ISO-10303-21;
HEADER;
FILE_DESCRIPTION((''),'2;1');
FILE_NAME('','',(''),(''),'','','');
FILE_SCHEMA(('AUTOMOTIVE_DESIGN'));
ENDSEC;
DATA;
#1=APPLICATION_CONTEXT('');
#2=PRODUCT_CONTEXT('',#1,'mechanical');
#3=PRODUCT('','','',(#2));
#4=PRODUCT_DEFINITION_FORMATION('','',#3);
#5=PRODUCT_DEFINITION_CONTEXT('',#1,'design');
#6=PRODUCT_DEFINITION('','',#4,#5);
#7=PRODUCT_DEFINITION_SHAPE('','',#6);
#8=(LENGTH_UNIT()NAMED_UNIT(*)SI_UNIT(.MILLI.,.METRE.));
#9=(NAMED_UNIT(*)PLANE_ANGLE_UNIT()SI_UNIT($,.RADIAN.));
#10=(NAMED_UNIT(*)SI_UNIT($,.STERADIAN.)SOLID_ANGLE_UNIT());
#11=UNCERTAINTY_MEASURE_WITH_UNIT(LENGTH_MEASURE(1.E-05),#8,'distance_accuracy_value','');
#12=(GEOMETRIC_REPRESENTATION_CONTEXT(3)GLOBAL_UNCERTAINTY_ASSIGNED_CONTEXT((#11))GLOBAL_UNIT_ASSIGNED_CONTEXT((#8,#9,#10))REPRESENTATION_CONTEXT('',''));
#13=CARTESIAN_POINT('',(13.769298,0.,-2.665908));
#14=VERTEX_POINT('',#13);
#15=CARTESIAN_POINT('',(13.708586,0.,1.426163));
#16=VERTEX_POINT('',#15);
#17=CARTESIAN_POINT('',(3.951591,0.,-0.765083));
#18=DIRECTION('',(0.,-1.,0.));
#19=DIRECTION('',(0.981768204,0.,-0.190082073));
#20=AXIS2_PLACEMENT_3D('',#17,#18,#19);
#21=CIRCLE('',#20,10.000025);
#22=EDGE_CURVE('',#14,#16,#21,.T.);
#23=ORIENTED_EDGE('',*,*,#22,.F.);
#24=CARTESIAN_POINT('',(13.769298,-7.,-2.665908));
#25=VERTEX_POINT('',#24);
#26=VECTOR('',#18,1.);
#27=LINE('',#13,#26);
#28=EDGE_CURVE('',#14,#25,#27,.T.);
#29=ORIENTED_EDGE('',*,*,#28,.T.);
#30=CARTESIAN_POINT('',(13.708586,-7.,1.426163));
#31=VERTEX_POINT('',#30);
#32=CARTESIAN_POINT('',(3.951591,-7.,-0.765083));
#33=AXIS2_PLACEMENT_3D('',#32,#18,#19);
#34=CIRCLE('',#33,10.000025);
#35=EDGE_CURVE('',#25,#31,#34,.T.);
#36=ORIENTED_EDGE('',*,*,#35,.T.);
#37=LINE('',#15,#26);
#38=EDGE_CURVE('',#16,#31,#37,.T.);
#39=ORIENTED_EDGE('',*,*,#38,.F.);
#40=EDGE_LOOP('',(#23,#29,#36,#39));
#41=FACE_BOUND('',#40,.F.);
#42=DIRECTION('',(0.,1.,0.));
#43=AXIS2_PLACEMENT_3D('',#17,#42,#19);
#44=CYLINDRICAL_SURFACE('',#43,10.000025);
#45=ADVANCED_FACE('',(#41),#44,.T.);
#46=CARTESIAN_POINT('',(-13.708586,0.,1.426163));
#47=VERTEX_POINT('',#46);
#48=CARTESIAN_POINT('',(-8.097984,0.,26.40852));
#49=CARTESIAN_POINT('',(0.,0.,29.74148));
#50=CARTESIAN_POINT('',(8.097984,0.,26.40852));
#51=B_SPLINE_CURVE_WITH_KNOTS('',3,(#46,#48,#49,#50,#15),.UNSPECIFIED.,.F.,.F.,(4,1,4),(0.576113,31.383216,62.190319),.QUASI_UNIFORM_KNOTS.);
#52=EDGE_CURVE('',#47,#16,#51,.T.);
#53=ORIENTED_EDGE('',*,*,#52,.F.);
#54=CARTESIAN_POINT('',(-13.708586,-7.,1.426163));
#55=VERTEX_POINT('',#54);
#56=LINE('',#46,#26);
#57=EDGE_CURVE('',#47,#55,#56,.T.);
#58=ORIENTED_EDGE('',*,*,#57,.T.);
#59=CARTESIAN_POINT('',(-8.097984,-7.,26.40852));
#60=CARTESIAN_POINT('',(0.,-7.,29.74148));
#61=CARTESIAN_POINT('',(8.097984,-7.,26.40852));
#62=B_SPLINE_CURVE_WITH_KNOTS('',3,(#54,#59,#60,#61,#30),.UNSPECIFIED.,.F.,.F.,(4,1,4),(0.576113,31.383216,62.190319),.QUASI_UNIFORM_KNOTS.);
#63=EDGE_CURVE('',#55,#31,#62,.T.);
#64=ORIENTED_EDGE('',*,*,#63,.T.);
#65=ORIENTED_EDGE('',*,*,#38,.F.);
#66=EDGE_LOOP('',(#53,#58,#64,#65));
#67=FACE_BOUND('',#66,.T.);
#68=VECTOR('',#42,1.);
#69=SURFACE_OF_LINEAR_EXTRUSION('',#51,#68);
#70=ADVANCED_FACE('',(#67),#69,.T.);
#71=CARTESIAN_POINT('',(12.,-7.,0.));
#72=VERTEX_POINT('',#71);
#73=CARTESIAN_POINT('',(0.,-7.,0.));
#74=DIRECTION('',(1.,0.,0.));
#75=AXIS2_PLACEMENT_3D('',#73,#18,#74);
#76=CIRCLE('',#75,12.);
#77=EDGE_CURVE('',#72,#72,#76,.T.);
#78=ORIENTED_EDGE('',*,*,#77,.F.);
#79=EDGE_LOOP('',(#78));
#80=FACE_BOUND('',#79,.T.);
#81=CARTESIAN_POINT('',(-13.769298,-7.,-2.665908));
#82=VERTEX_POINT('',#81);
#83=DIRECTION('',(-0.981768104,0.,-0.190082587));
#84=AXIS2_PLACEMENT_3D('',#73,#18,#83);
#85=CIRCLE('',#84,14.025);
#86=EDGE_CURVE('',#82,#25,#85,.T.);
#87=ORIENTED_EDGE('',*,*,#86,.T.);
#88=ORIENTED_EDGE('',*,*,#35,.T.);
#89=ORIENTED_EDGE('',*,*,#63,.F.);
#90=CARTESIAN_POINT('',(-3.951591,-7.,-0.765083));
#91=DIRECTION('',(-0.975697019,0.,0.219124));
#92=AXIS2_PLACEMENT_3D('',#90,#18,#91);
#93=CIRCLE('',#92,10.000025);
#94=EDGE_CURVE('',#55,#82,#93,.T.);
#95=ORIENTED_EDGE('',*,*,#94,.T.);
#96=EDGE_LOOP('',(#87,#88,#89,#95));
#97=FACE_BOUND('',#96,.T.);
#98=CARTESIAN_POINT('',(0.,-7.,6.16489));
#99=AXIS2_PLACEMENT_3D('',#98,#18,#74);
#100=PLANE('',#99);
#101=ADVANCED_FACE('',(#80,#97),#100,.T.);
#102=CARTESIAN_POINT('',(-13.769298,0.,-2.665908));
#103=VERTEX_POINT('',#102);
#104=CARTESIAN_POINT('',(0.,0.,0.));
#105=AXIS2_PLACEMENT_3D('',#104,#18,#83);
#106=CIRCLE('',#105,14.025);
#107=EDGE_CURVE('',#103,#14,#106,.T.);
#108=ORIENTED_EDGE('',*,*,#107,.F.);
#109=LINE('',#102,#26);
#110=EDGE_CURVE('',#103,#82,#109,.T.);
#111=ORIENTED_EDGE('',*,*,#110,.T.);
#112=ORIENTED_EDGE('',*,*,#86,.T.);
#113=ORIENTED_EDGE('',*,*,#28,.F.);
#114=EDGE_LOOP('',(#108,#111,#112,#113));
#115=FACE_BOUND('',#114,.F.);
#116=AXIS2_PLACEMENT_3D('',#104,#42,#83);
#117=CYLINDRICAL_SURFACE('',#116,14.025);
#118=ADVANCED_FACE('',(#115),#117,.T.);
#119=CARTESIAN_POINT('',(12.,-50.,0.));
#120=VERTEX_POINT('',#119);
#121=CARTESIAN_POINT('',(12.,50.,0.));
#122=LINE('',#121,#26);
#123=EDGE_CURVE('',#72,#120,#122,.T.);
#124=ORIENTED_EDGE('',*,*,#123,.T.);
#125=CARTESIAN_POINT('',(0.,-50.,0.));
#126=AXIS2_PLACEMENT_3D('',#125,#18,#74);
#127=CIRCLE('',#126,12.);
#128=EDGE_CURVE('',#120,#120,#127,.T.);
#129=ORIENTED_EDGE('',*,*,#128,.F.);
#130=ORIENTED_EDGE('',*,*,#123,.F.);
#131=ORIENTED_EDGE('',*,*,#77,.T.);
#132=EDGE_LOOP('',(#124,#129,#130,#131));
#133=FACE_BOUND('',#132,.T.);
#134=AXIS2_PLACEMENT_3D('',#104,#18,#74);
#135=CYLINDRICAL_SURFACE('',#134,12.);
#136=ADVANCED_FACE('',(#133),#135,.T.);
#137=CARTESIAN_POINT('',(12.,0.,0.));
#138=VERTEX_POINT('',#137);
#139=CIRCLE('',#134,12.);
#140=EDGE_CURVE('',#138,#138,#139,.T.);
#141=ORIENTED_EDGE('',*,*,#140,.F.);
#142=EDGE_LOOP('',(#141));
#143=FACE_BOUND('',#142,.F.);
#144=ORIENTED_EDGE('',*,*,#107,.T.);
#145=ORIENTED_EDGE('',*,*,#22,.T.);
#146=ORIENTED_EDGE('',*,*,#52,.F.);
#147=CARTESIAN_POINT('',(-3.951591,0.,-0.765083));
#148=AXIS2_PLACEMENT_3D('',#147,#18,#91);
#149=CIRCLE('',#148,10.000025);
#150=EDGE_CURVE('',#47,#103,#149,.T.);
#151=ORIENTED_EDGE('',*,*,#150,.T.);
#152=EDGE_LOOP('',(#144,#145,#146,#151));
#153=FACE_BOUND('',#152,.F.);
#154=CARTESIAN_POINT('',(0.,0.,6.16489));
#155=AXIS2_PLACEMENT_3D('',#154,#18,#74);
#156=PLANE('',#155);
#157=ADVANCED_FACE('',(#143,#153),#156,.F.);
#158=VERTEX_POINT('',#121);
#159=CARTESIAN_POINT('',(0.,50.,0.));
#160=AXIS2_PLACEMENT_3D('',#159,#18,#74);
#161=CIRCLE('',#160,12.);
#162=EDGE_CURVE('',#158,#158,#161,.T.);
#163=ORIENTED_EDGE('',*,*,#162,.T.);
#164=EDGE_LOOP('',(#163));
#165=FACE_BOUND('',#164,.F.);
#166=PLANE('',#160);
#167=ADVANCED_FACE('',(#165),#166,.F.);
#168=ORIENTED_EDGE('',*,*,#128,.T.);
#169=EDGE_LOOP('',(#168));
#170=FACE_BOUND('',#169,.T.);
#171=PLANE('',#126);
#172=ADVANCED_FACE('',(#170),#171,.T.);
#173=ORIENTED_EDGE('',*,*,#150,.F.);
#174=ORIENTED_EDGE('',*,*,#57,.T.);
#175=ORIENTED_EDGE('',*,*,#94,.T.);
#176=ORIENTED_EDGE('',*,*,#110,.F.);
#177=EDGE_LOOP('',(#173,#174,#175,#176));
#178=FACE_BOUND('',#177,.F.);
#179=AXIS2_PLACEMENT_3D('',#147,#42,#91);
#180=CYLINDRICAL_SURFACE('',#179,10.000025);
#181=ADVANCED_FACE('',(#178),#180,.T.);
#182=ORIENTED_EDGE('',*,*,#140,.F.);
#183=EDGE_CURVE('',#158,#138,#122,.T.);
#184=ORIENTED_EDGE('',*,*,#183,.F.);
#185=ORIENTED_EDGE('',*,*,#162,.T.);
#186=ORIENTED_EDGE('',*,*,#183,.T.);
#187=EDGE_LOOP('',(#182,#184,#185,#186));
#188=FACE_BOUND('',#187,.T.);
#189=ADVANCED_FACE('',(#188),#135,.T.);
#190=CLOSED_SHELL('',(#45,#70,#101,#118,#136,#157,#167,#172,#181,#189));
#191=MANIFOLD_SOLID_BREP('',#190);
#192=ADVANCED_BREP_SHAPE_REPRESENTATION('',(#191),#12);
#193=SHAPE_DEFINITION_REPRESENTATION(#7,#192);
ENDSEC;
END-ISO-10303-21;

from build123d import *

# Parameters (mm, degrees)
F0_R          = 12
F1_DEPTH      = 50
F1_DEPTH_BACK = 50
F2_DEPTH      = 7


with BuildPart() as f1:
    # F0 (on Front) → F1 (new body, two sides)
    with BuildSketch(Plane.XZ) as f1_sk:
        Circle(F0_R)
    extrude(amount=F1_DEPTH)
    extrude(f1_sk.sketch, amount=-F1_DEPTH_BACK)

    # F0 (on Front) → F2 (join)
    with BuildSketch(Plane.XZ):
        with BuildLine():
            ThreePointArc((-13.708586, 1.426163), (-13.950516, -0.616734), (-13.769298, -2.665908))
            ThreePointArc((-13.769298, -2.665908), (0, -14.025), (13.769298, -2.665908))
            ThreePointArc((13.769298, -2.665908), (13.950516, -0.616734), (13.708586, 1.426163))
            add(Edge.make_bspline(
                [(-13.708586, 1.426163), (-8.097984, 26.40852), (0, 29.74148), (8.097984, 26.40852), (13.708586, 1.426163)],
                knots=[0.576113, 0.576113, 0.576113, 0.576113, 31.383216, 62.190319, 62.190319, 62.190319, 62.190319], degree=3))
        make_face()
        Circle(F0_R, mode=Mode.SUBTRACT)
    extrude(amount=F2_DEPTH)


solid = f1.part
